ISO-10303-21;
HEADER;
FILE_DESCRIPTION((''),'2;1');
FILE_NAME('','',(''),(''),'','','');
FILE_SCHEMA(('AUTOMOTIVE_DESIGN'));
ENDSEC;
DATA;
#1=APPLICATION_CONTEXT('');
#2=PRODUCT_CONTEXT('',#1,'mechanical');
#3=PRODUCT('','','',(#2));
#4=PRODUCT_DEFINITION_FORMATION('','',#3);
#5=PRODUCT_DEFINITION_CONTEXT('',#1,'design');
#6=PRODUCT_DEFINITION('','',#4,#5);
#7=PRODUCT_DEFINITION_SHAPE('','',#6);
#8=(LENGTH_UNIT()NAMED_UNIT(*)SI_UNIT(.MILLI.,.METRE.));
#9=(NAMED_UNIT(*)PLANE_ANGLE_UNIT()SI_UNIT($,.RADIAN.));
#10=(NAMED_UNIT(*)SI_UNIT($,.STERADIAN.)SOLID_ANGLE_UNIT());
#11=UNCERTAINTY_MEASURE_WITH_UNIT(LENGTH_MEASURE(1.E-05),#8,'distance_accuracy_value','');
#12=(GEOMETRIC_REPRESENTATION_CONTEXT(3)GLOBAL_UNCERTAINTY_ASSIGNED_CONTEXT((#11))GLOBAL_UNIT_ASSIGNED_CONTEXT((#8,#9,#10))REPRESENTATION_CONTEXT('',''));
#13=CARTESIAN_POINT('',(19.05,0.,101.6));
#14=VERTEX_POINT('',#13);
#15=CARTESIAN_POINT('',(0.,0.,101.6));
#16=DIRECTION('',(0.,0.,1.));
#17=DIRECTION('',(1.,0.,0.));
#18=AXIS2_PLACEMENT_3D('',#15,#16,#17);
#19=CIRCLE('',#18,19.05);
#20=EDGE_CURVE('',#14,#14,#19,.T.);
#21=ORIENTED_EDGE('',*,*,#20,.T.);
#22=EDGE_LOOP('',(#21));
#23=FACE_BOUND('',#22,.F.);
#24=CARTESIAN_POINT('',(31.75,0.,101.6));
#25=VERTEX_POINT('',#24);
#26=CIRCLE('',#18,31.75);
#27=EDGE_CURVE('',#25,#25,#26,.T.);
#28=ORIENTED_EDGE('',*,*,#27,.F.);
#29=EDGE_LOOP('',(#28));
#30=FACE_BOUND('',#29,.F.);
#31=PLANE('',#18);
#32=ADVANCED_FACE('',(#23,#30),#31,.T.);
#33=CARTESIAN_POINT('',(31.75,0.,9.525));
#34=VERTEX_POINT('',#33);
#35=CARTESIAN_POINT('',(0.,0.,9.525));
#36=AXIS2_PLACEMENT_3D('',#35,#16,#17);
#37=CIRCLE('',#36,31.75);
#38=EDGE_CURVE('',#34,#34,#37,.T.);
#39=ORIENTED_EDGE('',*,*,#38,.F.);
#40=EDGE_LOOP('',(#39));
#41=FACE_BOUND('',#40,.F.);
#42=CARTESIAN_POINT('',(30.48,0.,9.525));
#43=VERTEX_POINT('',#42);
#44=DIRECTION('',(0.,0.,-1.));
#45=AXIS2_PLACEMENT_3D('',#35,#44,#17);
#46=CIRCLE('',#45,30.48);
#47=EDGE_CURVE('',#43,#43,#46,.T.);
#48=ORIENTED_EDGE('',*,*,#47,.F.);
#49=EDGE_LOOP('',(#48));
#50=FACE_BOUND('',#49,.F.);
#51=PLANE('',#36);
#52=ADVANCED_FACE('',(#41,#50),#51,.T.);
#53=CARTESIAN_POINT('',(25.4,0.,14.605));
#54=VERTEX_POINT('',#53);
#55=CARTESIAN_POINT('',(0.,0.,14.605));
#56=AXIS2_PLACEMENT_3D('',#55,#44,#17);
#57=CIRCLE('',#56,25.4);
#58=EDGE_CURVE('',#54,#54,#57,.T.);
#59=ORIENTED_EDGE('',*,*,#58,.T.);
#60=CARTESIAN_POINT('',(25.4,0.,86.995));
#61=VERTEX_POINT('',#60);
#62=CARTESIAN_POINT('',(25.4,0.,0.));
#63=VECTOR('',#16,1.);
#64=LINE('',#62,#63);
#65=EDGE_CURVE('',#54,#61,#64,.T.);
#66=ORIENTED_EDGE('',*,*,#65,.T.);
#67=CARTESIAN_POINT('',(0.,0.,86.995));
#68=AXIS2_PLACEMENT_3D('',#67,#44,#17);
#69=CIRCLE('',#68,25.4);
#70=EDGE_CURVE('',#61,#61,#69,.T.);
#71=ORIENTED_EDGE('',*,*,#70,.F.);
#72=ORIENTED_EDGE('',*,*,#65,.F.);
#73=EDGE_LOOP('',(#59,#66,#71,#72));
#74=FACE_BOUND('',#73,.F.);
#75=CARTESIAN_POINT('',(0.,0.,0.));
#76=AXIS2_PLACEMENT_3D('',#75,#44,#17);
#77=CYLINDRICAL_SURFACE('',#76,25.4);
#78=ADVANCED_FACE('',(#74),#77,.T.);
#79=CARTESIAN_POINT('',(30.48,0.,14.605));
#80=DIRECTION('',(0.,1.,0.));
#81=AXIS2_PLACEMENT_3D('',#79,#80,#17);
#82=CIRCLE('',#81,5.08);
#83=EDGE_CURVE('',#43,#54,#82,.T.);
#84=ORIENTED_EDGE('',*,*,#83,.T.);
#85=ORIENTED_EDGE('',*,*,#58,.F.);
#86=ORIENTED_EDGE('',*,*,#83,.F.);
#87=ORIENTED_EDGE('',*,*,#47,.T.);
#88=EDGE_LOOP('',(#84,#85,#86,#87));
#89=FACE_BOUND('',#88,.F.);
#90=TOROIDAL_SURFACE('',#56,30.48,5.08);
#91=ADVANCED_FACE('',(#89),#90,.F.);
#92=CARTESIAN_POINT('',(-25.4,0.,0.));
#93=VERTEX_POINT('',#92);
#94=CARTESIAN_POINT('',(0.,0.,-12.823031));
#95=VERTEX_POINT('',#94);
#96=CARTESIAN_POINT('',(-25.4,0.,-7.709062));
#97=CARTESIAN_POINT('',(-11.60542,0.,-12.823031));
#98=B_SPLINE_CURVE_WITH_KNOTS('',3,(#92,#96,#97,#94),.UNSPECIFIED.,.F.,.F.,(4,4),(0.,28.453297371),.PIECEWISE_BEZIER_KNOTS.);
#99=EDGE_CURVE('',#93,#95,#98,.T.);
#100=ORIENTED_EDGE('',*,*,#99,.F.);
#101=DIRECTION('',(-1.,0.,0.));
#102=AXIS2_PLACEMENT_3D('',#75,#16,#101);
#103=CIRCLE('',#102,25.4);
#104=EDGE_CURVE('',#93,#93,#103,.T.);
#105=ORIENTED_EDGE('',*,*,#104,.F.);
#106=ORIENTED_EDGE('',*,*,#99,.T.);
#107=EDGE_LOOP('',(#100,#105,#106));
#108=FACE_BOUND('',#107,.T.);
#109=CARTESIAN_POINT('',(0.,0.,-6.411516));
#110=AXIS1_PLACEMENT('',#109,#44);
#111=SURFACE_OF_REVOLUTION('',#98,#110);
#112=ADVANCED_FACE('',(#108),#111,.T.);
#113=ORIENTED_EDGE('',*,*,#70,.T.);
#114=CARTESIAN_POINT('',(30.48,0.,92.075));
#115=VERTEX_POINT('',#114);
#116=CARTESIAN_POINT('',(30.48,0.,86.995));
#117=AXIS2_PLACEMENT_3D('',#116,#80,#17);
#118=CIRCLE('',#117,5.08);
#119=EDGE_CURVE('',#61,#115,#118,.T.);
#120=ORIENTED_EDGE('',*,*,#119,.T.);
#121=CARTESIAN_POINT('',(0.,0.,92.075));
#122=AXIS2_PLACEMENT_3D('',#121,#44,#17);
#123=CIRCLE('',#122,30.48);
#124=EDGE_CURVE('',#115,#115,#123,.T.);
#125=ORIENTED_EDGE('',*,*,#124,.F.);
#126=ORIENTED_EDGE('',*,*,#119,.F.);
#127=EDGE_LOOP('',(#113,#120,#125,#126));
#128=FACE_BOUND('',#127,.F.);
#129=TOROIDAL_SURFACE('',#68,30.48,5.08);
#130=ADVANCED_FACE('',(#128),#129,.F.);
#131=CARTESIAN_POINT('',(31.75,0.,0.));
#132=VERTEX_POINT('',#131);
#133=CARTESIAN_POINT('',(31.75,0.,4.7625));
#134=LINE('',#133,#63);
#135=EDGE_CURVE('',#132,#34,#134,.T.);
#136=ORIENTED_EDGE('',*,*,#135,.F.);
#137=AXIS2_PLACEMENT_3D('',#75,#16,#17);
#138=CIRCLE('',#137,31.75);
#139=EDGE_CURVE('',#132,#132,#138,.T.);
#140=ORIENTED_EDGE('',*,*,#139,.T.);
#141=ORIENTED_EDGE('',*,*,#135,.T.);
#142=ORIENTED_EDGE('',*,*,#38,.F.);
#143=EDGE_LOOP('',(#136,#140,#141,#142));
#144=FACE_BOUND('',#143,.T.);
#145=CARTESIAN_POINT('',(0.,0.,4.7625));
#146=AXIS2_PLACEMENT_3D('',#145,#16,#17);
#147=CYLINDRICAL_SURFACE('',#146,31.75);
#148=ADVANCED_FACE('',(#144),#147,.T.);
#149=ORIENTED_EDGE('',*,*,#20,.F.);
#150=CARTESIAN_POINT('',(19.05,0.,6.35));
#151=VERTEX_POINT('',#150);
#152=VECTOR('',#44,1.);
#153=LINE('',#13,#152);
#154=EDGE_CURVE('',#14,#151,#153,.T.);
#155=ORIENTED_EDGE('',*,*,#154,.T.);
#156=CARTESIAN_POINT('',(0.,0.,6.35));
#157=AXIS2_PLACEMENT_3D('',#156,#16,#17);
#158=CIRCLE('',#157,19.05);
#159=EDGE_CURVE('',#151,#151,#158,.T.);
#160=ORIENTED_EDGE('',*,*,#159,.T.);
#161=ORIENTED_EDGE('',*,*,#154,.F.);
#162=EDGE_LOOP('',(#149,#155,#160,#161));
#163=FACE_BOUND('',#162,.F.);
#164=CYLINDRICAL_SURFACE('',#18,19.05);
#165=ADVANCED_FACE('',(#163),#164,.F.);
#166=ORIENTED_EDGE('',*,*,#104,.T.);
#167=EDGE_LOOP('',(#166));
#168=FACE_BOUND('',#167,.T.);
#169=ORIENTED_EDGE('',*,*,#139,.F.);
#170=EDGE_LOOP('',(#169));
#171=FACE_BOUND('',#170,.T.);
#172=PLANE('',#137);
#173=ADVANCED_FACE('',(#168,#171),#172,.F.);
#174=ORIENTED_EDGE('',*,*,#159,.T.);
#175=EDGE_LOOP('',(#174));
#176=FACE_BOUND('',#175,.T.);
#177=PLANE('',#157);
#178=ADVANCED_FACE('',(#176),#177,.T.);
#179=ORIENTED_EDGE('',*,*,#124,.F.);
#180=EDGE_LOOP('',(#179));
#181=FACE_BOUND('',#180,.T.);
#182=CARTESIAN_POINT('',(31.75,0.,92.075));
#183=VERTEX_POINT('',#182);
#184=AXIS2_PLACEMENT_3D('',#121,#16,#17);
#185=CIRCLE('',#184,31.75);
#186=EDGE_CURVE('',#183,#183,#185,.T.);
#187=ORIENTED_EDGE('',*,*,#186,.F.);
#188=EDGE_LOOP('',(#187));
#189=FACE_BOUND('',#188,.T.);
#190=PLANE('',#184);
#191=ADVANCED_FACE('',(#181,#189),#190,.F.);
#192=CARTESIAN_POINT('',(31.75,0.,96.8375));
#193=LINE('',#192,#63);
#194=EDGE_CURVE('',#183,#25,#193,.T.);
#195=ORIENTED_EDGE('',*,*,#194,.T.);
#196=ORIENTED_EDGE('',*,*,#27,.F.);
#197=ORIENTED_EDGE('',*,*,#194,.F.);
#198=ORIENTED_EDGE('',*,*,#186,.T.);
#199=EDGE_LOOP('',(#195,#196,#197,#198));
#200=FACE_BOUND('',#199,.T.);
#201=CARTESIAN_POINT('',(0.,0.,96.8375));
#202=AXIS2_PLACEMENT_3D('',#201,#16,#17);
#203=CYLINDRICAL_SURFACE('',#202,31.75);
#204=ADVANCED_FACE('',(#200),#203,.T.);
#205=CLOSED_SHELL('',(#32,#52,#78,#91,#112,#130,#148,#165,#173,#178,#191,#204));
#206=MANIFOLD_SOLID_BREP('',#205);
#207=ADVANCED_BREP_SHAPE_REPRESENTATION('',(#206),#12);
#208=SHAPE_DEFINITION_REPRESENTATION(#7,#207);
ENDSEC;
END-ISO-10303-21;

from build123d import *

# Parameters (mm, degrees)
F0_R     = 25.4
F1_DEPTH = 101.6
F4_W     = 31.75
F4_H     = 9.525
F6_R     = 5.08
F7_R     = 19.05
F8_DEPTH = 95.25


with BuildPart() as f1:
    # F0 (on Top) → F1 (new body)
    with BuildSketch(Plane.XY):
        Circle(F0_R)
    extrude(amount=F1_DEPTH)

    # F2 (on Front) → F3 (revolve)
    with BuildSketch(Plane.XZ):
        with BuildLine():
            Line((0, -12.8230312839), (0, 0))
            Line((0, 0), (-25.4, 0))
            add(Edge.make_bspline(
                [(-25.4, 0), (-25.4, -7.7090621926), (-11.6054195191, -12.8230312839), (0, -12.8230312839)],
                knots=[0, 0, 0, 0, 28.4532973715, 28.4532973715, 28.4532973715, 28.4532973715], degree=3))
        make_face()
    revolve(axis=Axis((0, 0, -6.411515642), (0, 0, -1)))

    # F4 (on Front) → F5 (revolve)
    with BuildSketch(Plane.XZ):
        with Locations((15.875, 4.7625)):
            Rectangle(F4_W, F4_H)
        with Locations((15.875, 96.8375)):
            Rectangle(F4_W, F4_H)
    revolve(axis=Axis((0, 0, 4.7625), (0, 0, 1)))

    # F6
    f6_edges = [f1.edges().sort_by_distance(p)[0] for p in [
        (-25.4, 0, 92.075),
        (-25.4, 0, 9.525),
    ]]
    fillet(f6_edges, radius=F6_R)

    # F7 (on face) → F8 (cut)
    with BuildSketch(Plane.XY.offset(101.6)):
        Circle(F7_R)
    extrude(amount=-F8_DEPTH, mode=Mode.SUBTRACT)


solid = f1.part
